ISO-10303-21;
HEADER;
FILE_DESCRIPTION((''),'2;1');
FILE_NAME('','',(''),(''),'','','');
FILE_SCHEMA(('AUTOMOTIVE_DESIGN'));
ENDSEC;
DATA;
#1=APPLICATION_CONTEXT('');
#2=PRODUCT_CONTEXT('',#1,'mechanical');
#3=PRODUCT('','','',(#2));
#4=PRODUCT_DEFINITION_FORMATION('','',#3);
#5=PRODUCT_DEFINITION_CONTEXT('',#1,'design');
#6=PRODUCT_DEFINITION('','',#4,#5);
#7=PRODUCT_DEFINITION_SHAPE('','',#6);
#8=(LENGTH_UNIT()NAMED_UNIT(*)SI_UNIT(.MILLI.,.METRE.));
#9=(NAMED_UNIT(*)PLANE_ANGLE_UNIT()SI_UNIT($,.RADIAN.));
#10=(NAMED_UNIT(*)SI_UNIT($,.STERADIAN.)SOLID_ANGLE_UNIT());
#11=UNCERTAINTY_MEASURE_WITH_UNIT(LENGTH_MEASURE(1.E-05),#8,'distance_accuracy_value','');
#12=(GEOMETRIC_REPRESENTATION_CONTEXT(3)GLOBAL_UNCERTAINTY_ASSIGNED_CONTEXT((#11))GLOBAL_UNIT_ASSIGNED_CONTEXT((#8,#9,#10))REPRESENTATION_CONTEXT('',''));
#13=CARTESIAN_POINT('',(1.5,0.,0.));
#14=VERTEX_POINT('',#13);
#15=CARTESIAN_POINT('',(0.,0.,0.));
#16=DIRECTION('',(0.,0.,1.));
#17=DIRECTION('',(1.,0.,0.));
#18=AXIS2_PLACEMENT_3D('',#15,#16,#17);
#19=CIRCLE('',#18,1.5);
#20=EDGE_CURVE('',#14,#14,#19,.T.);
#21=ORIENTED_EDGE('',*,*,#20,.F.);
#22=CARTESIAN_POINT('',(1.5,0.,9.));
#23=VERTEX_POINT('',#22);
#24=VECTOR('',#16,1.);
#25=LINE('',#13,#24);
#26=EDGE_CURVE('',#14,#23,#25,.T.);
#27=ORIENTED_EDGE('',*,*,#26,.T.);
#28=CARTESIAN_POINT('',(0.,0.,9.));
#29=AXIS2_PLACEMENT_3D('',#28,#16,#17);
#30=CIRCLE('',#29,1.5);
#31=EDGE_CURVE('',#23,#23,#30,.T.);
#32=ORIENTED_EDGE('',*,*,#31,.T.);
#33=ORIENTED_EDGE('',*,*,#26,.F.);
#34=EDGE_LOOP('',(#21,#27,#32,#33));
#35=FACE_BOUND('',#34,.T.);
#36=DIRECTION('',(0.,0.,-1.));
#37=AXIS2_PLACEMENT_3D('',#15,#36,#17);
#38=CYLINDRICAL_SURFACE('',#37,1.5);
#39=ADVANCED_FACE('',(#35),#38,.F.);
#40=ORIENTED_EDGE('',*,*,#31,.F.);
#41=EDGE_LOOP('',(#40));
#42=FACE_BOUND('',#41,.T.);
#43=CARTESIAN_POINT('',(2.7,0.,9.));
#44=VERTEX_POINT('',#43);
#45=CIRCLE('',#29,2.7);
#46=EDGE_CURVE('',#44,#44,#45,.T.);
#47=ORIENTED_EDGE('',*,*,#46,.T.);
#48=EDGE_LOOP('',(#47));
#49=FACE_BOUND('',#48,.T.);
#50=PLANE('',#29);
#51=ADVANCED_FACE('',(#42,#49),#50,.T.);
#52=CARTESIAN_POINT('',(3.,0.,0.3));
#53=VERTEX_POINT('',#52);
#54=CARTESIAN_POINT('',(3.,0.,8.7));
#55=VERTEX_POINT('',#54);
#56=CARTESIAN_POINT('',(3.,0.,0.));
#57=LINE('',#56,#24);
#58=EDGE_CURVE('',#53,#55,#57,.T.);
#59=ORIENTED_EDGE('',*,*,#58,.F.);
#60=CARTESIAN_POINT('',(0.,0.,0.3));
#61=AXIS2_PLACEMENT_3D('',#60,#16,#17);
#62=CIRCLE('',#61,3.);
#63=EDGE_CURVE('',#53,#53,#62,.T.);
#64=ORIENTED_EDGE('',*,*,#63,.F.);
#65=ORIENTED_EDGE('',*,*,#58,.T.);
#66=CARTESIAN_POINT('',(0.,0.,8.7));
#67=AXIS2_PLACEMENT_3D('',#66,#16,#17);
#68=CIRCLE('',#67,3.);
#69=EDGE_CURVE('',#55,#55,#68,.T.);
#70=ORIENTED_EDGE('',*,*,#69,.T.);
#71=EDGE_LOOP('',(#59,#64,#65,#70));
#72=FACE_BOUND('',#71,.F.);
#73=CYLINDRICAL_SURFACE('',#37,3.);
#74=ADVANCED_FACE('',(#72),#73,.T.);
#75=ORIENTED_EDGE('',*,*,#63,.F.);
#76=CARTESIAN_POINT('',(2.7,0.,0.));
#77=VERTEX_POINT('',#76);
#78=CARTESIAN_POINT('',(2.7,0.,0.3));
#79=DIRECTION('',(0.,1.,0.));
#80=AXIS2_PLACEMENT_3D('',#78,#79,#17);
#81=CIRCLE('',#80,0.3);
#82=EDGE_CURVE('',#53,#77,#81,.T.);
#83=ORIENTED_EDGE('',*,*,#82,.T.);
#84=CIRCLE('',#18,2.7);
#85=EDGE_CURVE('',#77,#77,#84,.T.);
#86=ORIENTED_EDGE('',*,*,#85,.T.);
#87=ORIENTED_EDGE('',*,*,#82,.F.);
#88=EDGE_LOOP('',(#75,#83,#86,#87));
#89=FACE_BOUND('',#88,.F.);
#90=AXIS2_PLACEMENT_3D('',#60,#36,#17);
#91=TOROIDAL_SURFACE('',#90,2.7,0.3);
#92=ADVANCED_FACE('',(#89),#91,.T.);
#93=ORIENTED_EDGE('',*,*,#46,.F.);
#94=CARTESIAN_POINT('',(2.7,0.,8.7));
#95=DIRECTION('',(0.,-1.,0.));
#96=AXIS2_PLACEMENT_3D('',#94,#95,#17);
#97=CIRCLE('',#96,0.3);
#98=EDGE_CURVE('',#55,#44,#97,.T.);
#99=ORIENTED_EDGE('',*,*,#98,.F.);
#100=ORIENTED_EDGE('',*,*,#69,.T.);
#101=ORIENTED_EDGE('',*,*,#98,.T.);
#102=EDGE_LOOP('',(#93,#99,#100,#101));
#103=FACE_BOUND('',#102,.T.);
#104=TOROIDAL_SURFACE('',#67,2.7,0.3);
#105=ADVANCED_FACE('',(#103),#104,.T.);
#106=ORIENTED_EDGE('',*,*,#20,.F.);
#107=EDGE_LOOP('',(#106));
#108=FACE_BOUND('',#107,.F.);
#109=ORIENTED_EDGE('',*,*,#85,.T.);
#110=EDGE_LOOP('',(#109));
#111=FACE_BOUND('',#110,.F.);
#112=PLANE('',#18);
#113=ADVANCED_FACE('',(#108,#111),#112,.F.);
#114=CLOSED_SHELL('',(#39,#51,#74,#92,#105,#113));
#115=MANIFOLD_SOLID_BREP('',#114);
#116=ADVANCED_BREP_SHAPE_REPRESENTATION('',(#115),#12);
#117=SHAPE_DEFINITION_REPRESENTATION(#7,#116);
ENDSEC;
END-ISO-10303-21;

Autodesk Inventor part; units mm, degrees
ref_plane "YZ Plane" through (0, 0, 0) normal (1, 0, 0) x (0, 1, 0)
ref_plane "XZ Plane" through (0, 0, 0) normal (0, 1, 0) x (-1, 0, 0)
ref_plane "XY Plane" through (0, 0, 0) normal (0, 0, 1) x (1, 0, 0)
sketch "スケッチ1" plane through (0, 0, 0) normal (0, 0, 1) x (1, 0, 0)
  circle A0 centre (0, 0) radius 1.5
  circle A1 centre (0, 0) radius 3
  dimension "d0" = 3
  dimension "d1" = 6
extrude "押し出し1" add sketch "スケッチ1" along normal blind 9
fillet "フィレット1" radius 0.3 2 edges at (-3, 0, 9) (-3, 0, 0)
thread "ねじ1" size "M3x0.5" class "6H" standard "ANSI Metric M Profile" length 100
properties part number "スペーサーM3L9アルミ" material "アルミニウム 2014-T4"
